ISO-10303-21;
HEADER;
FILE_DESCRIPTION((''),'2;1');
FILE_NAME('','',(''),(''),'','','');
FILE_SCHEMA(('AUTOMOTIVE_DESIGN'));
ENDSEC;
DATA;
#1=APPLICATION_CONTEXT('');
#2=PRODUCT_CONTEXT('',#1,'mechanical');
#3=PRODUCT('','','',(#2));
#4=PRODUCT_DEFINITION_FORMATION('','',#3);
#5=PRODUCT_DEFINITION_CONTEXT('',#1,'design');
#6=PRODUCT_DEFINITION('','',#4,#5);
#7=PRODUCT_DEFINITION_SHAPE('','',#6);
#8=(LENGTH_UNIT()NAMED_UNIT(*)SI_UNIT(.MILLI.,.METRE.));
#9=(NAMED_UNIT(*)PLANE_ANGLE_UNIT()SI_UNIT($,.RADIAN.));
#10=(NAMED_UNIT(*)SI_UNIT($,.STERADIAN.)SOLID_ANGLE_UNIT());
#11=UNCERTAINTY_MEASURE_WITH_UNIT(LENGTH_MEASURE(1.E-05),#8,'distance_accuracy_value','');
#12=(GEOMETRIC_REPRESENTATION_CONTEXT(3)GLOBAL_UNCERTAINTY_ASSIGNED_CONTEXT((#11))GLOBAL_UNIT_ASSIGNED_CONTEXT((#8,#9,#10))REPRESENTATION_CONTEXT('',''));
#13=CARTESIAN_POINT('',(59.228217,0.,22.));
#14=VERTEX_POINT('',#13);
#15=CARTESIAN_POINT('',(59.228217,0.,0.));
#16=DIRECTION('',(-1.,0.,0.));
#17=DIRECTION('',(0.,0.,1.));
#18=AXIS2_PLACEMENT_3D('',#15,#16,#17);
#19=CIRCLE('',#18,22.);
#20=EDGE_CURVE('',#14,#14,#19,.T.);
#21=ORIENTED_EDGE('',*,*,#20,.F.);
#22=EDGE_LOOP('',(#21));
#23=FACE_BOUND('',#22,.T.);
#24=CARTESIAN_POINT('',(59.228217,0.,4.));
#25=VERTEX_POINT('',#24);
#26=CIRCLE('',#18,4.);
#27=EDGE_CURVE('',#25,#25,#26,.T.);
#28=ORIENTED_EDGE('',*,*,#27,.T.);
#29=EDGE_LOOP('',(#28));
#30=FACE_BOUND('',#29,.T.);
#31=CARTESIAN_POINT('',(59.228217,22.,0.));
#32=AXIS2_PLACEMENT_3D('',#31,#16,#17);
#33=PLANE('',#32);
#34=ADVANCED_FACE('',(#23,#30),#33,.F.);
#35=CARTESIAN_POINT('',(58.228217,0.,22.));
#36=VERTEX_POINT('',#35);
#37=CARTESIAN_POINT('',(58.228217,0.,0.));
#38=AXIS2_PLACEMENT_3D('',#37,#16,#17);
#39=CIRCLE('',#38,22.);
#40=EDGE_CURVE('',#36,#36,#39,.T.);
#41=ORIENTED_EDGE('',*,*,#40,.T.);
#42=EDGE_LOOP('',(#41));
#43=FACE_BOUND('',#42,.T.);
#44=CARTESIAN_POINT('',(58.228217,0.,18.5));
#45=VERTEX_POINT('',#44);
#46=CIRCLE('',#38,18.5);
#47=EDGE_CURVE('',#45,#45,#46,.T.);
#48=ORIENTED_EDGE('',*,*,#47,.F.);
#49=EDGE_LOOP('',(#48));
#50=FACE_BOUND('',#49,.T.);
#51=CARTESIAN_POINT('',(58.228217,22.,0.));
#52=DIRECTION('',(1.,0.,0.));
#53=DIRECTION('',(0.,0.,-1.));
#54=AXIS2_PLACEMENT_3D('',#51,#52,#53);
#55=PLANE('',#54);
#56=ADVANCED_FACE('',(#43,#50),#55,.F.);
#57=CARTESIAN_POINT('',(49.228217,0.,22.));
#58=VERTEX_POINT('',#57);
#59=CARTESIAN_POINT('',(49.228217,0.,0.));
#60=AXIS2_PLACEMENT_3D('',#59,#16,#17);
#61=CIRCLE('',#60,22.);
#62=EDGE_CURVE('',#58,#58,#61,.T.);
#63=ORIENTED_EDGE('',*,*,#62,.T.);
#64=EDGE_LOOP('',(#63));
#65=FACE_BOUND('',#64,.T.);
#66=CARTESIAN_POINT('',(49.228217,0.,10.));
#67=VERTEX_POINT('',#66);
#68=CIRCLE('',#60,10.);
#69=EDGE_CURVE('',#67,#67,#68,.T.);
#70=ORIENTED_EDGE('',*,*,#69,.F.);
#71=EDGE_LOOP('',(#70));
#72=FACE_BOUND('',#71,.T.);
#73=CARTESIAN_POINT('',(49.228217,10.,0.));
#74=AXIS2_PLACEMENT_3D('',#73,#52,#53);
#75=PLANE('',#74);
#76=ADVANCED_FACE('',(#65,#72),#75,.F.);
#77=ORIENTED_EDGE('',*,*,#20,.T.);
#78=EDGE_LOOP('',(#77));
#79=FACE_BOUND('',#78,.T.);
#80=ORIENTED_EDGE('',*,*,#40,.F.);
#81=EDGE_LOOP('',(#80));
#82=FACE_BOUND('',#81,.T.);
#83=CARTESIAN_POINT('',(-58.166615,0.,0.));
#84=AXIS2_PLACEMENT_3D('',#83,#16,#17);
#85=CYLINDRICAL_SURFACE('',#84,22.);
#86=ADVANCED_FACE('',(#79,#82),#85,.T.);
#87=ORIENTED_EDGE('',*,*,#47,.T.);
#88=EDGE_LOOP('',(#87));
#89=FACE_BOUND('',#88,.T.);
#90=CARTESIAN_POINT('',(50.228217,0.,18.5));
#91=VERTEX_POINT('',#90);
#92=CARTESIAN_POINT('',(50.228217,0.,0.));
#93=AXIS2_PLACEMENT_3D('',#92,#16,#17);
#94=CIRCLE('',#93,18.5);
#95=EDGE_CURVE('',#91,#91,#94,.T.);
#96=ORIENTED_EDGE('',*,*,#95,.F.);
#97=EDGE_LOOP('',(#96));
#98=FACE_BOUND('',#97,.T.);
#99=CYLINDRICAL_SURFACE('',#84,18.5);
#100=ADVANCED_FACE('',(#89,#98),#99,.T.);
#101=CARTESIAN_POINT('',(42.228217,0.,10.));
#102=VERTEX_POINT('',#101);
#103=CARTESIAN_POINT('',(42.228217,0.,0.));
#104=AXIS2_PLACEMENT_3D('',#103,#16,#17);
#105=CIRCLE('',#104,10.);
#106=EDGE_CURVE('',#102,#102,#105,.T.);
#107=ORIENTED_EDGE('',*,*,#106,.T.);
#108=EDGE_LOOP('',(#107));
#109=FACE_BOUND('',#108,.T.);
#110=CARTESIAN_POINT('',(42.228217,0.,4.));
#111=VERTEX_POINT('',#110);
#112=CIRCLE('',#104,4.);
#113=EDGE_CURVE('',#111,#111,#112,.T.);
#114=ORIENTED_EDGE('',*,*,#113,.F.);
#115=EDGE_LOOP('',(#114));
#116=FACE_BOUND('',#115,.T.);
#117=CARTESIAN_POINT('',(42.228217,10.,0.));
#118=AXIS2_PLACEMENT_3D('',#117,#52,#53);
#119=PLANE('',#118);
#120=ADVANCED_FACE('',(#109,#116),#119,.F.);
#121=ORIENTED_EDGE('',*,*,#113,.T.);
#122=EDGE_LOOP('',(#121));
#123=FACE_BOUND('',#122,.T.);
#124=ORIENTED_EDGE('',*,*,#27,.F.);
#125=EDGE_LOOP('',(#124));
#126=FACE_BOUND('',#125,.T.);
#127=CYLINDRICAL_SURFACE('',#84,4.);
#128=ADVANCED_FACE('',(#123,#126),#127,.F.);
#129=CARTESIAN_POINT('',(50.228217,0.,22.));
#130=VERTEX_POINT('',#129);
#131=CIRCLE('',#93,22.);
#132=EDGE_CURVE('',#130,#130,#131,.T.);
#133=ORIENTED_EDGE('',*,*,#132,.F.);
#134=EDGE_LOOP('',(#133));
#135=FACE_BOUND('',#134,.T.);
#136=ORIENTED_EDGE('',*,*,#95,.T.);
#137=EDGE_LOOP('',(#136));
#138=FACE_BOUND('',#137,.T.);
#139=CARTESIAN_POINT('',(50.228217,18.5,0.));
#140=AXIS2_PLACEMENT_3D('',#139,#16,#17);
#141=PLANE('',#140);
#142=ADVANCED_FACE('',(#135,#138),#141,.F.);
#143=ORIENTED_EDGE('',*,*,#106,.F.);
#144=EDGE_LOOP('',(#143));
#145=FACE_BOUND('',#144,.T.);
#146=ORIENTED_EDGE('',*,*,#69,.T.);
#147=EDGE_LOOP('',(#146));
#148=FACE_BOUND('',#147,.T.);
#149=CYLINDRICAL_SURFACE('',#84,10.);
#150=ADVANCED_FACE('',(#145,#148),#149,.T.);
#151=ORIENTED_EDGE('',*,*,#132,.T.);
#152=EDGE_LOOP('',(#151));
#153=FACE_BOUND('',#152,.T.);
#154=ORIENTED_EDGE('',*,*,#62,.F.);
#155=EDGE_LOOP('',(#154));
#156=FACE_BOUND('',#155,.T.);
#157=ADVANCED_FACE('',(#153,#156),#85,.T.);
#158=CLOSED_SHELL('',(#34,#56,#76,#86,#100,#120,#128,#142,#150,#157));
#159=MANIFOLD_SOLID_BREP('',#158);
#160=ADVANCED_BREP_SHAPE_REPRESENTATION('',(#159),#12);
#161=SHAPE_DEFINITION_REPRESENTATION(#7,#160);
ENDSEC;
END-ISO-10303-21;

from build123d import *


with BuildPart() as part:
    # Sketch1 → Revolve1 (revolve)
    with BuildSketch(Plane.XY, mode=Mode.PRIVATE) as revolve1_sk:
        Polygon((59.2282167, 22), (58.2282167, 22), (58.2282167, 18.5), (50.2282167, 18.5), (50.2282167, 22), (49.2282167, 22), (49.2282167, 15), (49.2282167, 10), (42.2282167, 10), (42.2282167, 4), (59.2282167, 4), align=None)
    revolve(revolve1_sk.sketch.rotate(Axis((-58.16661515, 0, 0), (1, 0, 0)), 90), axis=Axis((-58.16661515, 0, 0), (1, 0, 0)))


solid = part.part
